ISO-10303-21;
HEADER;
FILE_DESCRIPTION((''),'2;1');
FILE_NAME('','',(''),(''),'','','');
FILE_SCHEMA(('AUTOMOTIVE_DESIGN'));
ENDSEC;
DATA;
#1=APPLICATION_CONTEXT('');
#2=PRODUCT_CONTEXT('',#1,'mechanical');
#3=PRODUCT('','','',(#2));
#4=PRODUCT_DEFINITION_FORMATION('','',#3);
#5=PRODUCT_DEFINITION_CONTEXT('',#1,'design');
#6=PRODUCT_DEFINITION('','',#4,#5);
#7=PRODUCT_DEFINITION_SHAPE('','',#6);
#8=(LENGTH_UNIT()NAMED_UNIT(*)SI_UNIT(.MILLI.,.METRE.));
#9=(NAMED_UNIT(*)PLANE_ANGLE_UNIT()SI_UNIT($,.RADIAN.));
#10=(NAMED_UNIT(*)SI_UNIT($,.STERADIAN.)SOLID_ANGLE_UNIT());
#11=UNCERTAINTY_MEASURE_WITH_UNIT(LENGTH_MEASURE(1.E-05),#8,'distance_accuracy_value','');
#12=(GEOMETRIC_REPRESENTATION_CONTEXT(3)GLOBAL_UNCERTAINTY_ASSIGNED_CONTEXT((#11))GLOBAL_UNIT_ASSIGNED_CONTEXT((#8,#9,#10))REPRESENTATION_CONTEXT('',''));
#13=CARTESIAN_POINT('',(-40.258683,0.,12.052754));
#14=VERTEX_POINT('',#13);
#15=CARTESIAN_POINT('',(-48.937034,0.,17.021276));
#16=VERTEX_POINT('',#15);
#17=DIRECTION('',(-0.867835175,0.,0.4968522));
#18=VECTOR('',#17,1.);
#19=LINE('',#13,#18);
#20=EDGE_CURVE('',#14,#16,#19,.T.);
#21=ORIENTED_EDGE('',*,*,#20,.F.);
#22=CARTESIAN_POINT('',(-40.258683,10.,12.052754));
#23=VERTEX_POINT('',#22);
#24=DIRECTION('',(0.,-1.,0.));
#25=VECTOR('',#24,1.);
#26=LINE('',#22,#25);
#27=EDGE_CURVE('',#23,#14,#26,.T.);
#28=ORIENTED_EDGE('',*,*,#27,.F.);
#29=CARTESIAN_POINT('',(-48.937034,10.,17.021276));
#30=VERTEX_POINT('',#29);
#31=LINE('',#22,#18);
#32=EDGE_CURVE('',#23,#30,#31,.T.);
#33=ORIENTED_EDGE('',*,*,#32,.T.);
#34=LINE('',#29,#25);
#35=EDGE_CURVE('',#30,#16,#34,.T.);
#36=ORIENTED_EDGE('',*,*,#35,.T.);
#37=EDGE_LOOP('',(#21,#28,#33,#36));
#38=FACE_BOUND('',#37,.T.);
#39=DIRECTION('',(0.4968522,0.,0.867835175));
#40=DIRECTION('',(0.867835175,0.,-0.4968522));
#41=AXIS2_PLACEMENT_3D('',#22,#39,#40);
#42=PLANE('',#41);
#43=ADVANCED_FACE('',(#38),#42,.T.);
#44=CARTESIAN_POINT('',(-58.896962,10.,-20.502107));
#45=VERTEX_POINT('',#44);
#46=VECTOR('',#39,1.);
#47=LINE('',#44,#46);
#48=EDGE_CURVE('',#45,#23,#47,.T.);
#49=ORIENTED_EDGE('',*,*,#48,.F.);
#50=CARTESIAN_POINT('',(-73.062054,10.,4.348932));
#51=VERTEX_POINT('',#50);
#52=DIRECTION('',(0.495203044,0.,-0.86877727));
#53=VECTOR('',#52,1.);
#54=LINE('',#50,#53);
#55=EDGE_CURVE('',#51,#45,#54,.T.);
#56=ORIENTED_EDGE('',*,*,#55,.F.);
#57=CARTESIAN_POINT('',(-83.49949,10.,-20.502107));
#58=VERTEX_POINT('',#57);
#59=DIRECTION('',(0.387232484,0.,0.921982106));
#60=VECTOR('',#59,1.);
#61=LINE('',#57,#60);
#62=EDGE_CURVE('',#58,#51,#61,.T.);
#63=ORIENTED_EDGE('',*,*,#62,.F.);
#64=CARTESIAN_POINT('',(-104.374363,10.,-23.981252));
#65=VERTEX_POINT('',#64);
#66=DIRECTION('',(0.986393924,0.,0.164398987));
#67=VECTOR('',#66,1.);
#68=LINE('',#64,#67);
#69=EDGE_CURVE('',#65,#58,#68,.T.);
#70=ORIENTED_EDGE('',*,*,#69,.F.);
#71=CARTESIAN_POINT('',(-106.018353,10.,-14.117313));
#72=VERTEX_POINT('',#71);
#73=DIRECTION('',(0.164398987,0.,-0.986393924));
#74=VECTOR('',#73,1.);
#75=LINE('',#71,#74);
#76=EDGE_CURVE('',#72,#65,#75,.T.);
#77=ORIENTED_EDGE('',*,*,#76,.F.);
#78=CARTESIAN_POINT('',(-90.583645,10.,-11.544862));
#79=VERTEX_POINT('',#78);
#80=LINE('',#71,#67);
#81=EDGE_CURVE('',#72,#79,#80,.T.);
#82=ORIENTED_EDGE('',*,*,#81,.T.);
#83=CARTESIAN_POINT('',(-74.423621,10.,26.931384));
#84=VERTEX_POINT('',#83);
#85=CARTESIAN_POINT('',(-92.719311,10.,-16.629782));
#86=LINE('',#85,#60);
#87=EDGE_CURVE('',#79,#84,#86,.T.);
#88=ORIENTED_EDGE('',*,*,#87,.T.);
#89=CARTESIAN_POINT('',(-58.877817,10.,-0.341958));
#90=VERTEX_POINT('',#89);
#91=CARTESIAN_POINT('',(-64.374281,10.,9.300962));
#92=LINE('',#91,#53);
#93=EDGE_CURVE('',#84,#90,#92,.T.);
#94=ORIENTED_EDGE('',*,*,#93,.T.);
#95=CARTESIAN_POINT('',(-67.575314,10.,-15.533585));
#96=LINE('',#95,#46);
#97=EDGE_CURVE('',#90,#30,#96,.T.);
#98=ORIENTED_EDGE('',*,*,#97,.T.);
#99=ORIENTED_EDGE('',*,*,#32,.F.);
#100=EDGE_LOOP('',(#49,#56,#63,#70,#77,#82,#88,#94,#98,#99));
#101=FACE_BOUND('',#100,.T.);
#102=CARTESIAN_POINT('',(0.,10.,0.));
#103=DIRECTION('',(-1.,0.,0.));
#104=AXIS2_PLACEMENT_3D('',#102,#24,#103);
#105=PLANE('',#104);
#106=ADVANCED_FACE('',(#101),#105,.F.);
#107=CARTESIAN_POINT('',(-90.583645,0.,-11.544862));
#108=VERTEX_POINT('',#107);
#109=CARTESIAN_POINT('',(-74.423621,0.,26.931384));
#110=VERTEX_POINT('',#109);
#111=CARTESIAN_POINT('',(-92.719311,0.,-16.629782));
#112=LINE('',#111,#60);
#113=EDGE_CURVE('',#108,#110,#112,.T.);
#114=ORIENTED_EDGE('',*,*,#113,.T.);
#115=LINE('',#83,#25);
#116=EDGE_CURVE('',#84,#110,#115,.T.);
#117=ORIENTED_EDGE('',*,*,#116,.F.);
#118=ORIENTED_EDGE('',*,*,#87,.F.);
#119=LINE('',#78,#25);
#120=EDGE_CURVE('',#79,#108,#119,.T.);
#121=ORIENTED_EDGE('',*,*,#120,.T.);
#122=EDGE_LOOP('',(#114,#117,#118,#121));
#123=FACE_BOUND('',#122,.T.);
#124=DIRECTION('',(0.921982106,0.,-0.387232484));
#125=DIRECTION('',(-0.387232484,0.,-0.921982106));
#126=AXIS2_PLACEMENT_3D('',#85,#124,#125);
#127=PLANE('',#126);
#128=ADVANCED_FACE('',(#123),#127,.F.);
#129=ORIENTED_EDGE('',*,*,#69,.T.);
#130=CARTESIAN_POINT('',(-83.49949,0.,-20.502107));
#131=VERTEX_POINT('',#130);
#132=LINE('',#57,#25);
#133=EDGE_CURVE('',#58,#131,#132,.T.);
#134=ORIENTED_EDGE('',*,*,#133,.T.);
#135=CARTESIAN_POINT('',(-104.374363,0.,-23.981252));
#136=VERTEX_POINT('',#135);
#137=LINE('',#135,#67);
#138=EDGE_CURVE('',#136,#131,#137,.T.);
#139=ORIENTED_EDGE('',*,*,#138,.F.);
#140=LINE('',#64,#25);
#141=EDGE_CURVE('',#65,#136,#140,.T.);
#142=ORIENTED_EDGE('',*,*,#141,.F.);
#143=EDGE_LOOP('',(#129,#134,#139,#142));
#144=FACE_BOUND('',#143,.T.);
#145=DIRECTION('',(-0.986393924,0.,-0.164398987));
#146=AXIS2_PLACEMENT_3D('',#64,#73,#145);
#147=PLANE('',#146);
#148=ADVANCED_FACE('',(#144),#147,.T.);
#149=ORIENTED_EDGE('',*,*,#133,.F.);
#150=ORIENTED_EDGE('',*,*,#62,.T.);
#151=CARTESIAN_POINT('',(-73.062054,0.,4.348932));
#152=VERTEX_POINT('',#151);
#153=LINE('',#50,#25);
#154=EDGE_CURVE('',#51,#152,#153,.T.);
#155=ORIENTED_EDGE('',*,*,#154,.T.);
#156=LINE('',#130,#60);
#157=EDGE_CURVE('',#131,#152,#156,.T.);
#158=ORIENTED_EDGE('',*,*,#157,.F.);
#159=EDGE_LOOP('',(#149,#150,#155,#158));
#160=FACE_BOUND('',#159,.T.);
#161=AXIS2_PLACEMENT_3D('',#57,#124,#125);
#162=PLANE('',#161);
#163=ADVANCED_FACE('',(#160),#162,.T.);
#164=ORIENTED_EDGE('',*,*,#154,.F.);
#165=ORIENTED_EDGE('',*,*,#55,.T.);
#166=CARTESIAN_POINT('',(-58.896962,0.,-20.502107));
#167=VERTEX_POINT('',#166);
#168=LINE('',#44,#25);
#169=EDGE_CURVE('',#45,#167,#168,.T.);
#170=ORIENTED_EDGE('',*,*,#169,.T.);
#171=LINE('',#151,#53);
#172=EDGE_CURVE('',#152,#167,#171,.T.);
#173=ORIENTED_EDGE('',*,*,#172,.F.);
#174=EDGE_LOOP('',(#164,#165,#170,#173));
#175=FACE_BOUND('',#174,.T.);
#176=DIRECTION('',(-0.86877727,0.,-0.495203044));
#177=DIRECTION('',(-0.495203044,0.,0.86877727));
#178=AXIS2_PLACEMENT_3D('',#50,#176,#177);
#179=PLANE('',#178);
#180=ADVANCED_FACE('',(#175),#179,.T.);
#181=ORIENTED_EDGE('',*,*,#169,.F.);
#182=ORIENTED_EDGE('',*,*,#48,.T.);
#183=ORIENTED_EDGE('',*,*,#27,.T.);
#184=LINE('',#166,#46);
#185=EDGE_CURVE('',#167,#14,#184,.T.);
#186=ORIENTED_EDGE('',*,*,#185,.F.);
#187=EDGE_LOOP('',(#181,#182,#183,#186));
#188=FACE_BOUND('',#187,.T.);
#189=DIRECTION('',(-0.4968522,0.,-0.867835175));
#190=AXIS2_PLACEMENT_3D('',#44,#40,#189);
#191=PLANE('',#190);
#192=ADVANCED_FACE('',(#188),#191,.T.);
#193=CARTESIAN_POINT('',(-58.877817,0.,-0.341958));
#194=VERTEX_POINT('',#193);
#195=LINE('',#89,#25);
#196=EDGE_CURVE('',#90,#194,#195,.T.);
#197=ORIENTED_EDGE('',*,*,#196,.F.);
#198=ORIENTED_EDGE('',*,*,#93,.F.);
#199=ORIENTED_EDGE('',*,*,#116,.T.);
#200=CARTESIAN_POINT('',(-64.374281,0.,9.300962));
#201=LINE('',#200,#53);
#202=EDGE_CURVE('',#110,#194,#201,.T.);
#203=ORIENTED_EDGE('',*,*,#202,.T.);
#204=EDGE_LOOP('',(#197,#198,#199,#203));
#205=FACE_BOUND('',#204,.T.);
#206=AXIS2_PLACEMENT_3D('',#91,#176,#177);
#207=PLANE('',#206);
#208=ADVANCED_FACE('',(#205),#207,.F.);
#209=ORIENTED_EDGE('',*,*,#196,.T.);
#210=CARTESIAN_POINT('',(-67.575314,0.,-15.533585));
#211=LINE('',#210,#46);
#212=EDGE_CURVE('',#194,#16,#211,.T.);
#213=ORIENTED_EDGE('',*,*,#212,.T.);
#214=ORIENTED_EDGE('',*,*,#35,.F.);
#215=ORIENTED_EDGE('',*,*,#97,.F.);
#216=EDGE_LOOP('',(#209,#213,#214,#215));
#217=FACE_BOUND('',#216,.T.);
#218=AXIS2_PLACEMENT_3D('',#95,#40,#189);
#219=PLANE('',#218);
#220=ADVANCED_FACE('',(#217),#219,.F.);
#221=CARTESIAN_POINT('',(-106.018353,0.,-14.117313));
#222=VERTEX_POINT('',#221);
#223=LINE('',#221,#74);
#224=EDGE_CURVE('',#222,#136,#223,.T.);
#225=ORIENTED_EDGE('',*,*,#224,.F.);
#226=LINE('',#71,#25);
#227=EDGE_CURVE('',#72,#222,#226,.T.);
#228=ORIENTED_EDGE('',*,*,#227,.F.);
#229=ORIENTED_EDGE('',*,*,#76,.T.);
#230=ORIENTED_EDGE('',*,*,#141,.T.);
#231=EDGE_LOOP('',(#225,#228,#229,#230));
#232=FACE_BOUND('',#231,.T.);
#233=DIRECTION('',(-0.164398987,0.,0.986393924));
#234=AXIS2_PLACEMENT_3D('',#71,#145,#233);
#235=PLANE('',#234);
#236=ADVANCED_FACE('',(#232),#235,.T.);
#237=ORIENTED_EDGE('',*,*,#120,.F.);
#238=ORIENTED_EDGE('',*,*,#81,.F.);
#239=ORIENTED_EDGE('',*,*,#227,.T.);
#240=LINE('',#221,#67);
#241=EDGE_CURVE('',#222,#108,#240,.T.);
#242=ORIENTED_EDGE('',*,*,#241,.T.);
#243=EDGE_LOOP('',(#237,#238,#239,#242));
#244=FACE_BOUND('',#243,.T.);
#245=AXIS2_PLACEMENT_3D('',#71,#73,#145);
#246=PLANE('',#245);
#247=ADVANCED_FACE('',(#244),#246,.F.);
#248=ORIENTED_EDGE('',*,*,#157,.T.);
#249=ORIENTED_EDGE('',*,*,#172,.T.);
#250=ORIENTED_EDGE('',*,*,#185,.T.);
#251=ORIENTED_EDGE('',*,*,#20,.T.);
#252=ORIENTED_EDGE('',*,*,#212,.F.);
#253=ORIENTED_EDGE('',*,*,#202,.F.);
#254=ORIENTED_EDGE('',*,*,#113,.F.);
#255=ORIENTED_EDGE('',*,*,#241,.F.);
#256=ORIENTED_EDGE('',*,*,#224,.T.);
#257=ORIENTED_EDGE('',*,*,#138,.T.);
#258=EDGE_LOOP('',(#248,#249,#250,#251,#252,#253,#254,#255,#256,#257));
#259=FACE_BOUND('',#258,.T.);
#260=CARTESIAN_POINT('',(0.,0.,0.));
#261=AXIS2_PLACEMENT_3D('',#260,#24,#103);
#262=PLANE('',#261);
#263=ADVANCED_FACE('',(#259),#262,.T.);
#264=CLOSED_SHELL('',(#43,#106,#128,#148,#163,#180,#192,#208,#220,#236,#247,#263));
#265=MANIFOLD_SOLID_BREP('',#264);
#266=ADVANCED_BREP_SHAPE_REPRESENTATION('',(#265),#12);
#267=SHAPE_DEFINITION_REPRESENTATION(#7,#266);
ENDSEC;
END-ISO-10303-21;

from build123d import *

# Parameters (mm, degrees)
EXTRU_MINCE1_DEPTH = 10


with BuildPart() as part:
    # Esquisse1 → Extru.-Mince1 (new body)
    with BuildSketch(Plane(origin=(0, 0, 0), x_dir=(1, 0, 0), z_dir=(0, 1, 0))):
        Polygon((-104.374362654, 23.981252372), (-83.499490124, 20.50210695), (-73.062053858, -4.348931777), (-58.896961784, 20.50210695), (-40.258682738, -12.052753783), (-48.937034492, -17.021275779), (-58.877816911, 0.341957511), (-74.423621482, -26.931383841), (-90.58364466, 11.544861822), (-106.018352527, 14.117313133), align=None)
    extrude(amount=EXTRU_MINCE1_DEPTH)


solid = part.part
